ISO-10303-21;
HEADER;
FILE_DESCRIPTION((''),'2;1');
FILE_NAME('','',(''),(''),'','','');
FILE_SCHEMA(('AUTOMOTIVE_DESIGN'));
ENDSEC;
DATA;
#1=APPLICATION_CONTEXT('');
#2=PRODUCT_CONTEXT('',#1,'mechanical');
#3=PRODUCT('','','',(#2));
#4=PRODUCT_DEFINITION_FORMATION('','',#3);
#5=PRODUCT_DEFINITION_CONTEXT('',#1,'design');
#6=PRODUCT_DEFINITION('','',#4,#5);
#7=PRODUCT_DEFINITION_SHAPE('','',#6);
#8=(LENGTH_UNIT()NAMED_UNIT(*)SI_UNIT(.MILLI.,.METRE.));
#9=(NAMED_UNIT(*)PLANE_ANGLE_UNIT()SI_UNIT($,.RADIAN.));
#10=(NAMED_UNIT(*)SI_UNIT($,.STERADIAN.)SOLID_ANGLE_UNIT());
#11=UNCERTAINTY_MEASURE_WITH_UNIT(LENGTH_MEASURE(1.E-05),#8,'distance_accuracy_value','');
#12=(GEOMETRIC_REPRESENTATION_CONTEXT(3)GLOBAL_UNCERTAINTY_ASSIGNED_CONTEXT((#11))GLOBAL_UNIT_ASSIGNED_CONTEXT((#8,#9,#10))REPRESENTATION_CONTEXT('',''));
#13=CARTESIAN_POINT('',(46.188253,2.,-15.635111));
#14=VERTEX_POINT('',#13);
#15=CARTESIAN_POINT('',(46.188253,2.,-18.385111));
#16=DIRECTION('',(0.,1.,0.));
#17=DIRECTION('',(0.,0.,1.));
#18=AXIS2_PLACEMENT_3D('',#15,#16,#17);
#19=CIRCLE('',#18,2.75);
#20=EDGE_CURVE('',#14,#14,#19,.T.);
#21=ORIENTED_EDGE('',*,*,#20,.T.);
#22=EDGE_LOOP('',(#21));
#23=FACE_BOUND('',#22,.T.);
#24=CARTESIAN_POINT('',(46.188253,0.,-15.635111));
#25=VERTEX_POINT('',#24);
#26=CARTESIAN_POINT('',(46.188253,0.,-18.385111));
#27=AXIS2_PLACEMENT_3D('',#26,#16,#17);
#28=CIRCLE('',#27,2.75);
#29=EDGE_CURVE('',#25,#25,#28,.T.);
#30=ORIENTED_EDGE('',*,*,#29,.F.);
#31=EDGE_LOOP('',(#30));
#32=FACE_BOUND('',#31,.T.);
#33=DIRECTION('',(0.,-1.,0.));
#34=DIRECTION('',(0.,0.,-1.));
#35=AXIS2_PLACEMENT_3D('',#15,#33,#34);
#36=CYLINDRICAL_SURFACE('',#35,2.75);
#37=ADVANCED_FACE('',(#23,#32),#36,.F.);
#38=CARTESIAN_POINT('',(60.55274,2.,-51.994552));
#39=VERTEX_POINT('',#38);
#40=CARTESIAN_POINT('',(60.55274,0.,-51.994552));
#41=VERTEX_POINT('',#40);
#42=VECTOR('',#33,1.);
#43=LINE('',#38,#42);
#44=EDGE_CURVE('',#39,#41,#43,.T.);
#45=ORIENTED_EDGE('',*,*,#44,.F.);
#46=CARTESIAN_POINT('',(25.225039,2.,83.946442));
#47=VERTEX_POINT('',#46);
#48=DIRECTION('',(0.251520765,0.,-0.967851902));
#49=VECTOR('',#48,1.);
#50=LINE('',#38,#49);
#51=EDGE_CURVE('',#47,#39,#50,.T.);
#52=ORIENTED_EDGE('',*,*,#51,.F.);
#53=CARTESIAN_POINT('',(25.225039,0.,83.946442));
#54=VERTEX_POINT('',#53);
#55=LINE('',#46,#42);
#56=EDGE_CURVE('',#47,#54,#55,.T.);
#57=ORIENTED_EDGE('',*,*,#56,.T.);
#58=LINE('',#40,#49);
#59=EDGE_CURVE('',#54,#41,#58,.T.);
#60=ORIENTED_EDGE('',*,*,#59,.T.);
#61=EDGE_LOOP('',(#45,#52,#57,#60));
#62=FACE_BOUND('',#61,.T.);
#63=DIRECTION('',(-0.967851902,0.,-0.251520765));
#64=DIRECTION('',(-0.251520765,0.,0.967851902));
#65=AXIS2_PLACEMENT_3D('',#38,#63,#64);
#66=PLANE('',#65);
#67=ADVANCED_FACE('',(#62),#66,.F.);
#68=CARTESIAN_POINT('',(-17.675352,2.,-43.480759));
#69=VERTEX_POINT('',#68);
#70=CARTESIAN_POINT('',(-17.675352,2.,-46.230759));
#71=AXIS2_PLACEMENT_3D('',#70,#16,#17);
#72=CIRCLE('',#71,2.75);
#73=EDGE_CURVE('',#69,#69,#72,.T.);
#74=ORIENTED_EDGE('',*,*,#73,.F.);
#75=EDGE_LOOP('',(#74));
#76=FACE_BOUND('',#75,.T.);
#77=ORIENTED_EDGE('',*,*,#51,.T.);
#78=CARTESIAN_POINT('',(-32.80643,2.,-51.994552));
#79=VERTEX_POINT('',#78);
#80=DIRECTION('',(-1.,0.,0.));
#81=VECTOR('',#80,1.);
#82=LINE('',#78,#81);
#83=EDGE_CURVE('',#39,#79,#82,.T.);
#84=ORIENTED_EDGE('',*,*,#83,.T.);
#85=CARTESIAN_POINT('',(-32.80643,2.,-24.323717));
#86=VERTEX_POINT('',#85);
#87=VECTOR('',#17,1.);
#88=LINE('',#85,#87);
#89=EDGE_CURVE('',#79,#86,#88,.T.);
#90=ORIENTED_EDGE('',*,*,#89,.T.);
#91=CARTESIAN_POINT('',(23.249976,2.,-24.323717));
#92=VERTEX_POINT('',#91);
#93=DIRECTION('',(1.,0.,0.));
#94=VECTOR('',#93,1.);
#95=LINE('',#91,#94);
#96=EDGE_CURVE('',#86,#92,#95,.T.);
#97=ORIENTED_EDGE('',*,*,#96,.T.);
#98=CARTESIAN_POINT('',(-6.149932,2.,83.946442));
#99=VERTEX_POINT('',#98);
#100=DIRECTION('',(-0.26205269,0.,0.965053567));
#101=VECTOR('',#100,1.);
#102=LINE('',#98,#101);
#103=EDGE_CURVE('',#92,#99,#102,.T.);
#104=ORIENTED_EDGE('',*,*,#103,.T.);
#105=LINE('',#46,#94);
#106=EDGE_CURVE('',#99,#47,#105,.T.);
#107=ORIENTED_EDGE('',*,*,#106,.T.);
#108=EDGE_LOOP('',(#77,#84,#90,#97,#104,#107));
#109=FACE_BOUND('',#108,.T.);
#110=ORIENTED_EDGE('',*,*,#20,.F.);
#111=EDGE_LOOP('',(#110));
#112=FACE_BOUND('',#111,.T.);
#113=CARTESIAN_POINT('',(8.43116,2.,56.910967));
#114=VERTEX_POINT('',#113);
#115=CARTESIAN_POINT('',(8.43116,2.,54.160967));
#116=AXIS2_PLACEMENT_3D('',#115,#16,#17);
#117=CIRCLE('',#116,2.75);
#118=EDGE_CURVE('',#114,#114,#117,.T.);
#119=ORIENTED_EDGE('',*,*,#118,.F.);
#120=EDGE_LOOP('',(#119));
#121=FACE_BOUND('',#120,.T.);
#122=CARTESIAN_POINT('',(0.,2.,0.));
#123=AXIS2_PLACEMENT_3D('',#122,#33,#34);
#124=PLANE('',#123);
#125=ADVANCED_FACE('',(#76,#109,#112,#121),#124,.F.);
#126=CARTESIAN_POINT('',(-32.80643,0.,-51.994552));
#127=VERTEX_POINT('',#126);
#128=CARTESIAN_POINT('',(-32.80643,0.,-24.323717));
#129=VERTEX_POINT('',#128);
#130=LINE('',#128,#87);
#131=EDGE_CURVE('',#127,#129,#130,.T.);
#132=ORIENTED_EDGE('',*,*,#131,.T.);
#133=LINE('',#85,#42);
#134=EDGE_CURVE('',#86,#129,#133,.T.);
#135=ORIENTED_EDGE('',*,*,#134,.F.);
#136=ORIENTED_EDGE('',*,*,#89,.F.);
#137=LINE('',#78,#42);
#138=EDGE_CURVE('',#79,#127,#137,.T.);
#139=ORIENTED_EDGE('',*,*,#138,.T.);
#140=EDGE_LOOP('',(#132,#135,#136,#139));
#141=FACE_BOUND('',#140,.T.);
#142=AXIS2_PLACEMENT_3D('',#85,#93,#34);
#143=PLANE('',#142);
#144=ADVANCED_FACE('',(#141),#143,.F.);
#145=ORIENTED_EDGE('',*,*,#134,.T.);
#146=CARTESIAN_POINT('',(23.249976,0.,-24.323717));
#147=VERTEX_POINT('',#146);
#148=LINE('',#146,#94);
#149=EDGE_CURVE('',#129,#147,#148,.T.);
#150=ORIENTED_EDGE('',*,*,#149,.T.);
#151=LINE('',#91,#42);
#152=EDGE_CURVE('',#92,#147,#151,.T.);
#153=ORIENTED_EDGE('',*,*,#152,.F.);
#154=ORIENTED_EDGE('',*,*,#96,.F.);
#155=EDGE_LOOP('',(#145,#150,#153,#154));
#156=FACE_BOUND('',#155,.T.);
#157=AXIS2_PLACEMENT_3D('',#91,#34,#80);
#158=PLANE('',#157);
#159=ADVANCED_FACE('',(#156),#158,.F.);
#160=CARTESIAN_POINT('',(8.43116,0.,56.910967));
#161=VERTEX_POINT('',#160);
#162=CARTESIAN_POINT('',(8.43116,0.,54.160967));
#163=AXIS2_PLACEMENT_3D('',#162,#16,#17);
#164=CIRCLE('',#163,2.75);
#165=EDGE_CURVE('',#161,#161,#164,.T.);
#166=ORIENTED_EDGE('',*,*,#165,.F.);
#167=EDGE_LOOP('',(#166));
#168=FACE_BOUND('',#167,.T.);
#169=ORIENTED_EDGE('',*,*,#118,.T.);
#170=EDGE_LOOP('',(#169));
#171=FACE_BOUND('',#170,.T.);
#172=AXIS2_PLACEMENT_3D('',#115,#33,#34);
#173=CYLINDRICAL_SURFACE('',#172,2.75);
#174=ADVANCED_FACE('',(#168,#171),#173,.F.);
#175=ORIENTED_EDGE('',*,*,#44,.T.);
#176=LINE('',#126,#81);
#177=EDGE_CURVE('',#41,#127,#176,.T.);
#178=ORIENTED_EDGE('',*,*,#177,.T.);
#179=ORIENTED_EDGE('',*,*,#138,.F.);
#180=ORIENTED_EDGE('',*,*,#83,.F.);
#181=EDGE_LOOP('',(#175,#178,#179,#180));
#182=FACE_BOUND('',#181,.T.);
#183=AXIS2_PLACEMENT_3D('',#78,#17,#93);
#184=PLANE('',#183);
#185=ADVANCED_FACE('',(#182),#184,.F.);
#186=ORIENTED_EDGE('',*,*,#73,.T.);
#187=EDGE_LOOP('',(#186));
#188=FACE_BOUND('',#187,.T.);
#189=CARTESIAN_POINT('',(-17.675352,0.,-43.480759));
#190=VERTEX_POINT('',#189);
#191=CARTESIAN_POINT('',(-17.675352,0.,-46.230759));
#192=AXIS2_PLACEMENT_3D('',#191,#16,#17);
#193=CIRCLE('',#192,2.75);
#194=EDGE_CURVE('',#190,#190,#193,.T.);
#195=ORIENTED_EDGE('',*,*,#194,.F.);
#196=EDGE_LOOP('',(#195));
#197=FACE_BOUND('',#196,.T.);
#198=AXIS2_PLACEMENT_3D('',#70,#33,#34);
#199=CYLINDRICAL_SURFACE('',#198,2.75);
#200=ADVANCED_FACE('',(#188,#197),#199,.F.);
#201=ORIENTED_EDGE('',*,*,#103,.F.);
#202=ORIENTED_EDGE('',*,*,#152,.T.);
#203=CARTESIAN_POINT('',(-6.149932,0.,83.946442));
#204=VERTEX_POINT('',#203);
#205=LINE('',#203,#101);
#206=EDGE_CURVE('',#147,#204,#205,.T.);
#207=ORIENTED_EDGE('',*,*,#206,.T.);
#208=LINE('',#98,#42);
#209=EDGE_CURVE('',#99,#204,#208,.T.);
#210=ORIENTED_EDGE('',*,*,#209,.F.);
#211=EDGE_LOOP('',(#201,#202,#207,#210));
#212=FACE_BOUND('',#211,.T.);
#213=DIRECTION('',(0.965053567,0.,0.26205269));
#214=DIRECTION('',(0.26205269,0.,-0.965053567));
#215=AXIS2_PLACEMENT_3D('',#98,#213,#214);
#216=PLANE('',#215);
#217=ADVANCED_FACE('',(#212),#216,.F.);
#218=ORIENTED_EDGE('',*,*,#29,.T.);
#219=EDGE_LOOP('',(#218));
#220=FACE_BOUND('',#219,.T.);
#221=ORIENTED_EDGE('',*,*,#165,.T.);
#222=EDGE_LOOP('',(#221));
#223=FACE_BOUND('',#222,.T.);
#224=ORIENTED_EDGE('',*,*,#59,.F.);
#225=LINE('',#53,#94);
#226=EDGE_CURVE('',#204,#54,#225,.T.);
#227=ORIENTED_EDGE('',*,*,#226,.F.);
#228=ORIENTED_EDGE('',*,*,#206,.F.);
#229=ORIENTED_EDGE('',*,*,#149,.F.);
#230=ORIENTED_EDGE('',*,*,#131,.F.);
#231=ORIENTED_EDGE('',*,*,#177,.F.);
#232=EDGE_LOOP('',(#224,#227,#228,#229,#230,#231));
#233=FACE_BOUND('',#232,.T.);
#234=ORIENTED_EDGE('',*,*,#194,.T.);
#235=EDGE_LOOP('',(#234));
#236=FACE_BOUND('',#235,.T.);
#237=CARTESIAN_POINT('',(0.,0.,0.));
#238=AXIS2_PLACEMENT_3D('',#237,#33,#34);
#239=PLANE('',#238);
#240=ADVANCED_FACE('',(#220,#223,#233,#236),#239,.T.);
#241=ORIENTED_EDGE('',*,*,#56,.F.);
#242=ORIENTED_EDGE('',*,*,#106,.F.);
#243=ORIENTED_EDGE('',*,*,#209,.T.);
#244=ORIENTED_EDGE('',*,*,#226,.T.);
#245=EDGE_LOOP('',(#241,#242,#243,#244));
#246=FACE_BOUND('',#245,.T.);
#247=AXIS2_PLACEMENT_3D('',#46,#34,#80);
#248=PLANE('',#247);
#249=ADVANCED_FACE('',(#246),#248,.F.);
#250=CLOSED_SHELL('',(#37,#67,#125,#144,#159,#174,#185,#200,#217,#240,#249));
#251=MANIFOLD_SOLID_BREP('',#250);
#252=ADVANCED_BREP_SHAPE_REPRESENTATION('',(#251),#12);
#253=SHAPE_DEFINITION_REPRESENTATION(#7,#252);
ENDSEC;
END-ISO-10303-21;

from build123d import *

# Parameters (mm, degrees)
BOSS_EXTRUDE1_DEPTH = 2
SKETCH7_R           = 2.75
CUT_EXTRUDE1_DEPTH  = 104.526033301


with BuildPart() as part:
    # Sketch1 → Boss-Extrude1 (new body)
    with BuildSketch(Plane(origin=(0, 0, 0), x_dir=(1, 0, 0), z_dir=(0, 1, 0))):
        Polygon((-32.806430064, 51.994551896), (60.552740485, 51.994551896), (25.225039266, -83.946442395), (-6.149932227, -83.946442395), (23.249976258, 24.323717363), (-32.806430064, 24.323717363), align=None)
    extrude(amount=BOSS_EXTRUDE1_DEPTH)

    # Sketch7 → Cut-Extrude1 (cut, through all)
    with BuildSketch(Plane(origin=(0, 0, 0), x_dir=(1, 0, 0), z_dir=(0, 1, 0))):
        with Locations(Location((-17.67535185, 46.230759465, 0), (0, 0, 270))):
            Circle(SKETCH7_R)
        with Locations(Location((46.18825301, 18.385111047, 0), (0, 0, 270))):
            Circle(SKETCH7_R)
        with Locations(Location((8.431159892, -54.160966994, 0), (0, 0, 270))):
            Circle(SKETCH7_R)
    extrude(amount=CUT_EXTRUDE1_DEPTH, mode=Mode.SUBTRACT)


solid = part.part
